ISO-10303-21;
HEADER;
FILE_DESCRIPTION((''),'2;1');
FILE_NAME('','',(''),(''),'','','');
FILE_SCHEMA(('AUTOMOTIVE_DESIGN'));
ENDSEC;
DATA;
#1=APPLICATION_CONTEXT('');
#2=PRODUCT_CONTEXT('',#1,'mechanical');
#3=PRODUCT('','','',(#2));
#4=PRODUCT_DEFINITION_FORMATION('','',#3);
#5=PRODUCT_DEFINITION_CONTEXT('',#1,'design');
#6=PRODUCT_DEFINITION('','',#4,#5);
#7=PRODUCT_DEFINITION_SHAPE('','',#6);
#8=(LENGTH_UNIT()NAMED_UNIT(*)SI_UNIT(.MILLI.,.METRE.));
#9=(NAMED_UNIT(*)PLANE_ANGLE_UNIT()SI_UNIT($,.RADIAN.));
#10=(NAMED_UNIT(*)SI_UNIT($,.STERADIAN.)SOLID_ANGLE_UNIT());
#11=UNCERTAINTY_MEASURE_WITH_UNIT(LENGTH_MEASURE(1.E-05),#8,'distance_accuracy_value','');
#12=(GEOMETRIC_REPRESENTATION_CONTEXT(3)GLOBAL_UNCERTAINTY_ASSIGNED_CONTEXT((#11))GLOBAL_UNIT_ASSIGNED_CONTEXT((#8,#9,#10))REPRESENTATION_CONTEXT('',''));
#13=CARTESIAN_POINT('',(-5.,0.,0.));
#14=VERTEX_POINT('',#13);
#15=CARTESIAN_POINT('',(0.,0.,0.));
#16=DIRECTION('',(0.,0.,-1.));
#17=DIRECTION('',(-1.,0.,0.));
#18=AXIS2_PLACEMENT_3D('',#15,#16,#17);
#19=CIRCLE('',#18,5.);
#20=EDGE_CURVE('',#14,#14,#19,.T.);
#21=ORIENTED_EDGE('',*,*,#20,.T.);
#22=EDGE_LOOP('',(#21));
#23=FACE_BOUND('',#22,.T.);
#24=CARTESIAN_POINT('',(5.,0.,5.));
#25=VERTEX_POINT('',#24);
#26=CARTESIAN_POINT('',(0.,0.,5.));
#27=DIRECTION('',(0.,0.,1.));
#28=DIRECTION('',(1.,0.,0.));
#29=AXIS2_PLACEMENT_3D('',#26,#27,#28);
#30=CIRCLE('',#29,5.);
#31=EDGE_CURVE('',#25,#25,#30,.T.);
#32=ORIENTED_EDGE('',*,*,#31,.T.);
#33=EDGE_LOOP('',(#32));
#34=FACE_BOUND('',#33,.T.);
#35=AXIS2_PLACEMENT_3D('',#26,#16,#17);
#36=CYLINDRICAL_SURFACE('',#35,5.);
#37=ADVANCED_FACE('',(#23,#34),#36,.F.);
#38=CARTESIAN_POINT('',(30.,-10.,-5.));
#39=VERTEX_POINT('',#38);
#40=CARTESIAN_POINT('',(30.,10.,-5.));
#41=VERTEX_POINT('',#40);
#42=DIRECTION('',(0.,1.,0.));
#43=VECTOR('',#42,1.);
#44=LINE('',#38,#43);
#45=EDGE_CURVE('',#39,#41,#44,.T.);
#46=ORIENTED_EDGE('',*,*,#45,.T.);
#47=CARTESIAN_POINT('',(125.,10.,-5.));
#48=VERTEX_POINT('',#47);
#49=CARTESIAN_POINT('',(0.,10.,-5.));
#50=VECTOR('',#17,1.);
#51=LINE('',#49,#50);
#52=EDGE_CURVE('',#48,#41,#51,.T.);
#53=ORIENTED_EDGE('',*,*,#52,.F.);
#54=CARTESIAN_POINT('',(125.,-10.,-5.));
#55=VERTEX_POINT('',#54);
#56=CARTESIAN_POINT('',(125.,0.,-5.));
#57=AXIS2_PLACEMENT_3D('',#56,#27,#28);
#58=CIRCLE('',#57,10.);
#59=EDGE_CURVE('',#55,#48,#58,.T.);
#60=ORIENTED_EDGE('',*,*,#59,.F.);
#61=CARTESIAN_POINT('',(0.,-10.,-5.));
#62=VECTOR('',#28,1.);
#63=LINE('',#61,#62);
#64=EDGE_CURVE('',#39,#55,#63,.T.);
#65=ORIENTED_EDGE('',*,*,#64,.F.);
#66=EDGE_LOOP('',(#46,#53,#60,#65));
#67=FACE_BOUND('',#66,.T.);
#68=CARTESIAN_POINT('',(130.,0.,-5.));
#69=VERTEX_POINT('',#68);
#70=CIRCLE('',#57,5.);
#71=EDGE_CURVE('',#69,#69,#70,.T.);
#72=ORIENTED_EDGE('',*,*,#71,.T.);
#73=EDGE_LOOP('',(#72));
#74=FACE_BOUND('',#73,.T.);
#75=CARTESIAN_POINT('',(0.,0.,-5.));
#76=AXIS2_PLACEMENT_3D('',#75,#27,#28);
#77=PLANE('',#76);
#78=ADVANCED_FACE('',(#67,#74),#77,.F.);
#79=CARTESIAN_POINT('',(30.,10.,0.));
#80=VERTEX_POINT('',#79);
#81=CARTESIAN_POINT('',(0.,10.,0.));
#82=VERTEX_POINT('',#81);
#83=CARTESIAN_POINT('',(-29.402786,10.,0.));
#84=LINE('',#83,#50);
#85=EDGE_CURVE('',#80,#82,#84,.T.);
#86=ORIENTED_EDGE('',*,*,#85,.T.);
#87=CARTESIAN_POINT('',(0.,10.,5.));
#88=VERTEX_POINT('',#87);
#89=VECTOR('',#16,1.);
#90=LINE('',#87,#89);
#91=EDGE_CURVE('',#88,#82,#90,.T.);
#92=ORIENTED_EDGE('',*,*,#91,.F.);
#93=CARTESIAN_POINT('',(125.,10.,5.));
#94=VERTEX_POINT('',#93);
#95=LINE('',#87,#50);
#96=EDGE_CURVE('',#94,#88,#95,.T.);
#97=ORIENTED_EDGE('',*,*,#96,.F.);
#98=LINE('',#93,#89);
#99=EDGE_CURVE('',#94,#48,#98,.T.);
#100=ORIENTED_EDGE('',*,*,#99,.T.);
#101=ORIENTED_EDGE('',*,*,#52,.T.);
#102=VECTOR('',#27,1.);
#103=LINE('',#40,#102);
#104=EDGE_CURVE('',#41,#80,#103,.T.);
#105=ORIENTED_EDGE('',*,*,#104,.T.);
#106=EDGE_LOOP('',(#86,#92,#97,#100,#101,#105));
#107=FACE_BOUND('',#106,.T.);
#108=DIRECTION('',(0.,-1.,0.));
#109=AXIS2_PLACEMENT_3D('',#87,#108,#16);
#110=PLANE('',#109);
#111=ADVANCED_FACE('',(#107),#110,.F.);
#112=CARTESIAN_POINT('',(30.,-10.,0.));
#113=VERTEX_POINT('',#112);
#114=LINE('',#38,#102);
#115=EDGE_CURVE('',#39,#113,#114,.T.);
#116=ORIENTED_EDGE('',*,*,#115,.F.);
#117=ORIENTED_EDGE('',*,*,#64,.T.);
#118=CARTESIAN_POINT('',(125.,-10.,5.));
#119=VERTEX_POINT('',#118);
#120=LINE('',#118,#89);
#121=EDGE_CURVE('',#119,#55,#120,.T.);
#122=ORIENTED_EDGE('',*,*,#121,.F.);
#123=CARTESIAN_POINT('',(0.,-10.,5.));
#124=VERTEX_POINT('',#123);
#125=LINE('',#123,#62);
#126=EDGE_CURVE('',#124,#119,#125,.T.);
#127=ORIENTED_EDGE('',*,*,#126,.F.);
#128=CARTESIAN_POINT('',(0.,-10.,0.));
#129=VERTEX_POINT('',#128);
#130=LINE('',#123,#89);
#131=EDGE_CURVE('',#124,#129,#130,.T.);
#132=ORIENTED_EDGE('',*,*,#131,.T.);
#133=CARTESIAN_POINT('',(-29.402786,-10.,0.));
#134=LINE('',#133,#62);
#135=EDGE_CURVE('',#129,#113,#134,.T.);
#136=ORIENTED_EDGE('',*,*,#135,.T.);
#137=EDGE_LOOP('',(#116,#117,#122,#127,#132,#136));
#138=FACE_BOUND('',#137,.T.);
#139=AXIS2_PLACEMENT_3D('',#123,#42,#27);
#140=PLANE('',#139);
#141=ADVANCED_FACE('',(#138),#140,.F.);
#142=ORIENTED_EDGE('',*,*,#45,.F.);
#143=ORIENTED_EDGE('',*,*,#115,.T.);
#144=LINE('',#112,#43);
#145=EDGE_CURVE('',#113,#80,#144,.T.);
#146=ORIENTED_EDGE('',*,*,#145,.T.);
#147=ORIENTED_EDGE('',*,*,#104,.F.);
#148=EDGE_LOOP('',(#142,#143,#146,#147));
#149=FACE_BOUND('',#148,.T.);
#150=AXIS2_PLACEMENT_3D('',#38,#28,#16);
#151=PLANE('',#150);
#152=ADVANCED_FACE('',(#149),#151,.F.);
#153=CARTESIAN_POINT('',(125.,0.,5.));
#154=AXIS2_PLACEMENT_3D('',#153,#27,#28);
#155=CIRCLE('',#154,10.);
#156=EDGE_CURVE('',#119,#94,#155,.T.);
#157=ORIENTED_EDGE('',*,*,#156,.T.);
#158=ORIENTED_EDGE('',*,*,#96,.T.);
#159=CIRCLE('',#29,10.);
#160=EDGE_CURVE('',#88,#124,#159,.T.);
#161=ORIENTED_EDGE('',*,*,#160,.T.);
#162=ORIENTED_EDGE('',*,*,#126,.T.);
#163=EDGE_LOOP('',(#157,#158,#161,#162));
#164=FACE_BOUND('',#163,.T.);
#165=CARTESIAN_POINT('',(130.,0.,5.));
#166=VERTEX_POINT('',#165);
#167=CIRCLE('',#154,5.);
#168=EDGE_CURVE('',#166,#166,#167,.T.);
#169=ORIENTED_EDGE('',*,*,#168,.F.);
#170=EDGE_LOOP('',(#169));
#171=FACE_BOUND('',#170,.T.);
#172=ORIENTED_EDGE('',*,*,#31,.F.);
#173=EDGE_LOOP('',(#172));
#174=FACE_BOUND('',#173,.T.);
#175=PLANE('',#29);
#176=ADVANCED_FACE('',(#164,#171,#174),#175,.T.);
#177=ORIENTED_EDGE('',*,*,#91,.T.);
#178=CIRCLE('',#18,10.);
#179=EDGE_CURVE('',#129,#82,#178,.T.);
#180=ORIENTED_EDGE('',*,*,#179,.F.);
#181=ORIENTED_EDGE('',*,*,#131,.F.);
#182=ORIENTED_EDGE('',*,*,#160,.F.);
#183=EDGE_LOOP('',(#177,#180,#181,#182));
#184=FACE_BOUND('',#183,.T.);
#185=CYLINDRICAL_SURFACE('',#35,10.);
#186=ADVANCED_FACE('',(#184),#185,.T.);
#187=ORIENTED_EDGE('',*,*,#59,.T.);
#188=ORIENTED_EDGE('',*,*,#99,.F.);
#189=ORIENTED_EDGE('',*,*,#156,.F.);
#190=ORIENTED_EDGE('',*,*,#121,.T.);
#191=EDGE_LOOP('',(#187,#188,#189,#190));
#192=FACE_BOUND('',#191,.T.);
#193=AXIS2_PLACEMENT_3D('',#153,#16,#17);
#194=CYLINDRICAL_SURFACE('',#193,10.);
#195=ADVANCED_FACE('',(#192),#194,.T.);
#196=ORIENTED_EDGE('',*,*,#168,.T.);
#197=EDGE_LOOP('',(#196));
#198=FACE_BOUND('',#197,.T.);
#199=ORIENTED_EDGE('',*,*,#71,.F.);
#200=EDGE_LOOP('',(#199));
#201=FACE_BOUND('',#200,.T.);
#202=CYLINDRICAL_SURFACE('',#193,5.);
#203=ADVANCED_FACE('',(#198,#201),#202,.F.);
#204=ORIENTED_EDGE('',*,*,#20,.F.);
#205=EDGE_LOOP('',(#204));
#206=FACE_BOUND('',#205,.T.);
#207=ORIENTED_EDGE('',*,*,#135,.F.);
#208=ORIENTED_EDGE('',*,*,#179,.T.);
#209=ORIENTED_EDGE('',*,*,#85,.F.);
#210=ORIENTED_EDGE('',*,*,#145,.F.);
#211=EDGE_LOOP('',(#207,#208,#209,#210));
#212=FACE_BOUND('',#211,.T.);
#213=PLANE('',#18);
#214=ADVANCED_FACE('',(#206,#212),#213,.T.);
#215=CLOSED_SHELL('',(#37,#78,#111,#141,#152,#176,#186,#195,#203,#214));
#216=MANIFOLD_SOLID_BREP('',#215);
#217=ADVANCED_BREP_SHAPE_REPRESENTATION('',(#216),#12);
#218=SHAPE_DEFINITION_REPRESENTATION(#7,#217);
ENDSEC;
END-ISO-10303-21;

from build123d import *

# Parameters (mm, degrees)
SKETCH1_R           = 5
BOSS_EXTRUDE1_DEPTH = 5
SKETCH2_W           = 59.402785504
SKETCH2_H           = 20
CUT_EXTRUDE1_DEPTH  = 136.462171841


with BuildPart() as part:
    # Sketch1 → Boss-Extrude1 (new, symmetric)
    with BuildSketch(Plane.XY):
        with BuildLine():
            Line((0, 10), (125, 10))
            ThreePointArc((125, 10), (135, 0), (125, -10))
            Line((125, -10), (0, -10))
            ThreePointArc((0, -10), (-10, 0), (0, 10))
        make_face()
        Circle(SKETCH1_R, mode=Mode.SUBTRACT)
        with Locations((125, 0)):
            Circle(SKETCH1_R, mode=Mode.SUBTRACT)
    extrude(amount=BOSS_EXTRUDE1_DEPTH, both=True)

    # Sketch2 → Cut-Extrude1 (cut, through all)
    with BuildSketch(Plane.XY):
        with Locations((0.298607248, 0)):
            Rectangle(SKETCH2_W, SKETCH2_H)
    extrude(amount=-CUT_EXTRUDE1_DEPTH, mode=Mode.SUBTRACT)


solid = part.part
